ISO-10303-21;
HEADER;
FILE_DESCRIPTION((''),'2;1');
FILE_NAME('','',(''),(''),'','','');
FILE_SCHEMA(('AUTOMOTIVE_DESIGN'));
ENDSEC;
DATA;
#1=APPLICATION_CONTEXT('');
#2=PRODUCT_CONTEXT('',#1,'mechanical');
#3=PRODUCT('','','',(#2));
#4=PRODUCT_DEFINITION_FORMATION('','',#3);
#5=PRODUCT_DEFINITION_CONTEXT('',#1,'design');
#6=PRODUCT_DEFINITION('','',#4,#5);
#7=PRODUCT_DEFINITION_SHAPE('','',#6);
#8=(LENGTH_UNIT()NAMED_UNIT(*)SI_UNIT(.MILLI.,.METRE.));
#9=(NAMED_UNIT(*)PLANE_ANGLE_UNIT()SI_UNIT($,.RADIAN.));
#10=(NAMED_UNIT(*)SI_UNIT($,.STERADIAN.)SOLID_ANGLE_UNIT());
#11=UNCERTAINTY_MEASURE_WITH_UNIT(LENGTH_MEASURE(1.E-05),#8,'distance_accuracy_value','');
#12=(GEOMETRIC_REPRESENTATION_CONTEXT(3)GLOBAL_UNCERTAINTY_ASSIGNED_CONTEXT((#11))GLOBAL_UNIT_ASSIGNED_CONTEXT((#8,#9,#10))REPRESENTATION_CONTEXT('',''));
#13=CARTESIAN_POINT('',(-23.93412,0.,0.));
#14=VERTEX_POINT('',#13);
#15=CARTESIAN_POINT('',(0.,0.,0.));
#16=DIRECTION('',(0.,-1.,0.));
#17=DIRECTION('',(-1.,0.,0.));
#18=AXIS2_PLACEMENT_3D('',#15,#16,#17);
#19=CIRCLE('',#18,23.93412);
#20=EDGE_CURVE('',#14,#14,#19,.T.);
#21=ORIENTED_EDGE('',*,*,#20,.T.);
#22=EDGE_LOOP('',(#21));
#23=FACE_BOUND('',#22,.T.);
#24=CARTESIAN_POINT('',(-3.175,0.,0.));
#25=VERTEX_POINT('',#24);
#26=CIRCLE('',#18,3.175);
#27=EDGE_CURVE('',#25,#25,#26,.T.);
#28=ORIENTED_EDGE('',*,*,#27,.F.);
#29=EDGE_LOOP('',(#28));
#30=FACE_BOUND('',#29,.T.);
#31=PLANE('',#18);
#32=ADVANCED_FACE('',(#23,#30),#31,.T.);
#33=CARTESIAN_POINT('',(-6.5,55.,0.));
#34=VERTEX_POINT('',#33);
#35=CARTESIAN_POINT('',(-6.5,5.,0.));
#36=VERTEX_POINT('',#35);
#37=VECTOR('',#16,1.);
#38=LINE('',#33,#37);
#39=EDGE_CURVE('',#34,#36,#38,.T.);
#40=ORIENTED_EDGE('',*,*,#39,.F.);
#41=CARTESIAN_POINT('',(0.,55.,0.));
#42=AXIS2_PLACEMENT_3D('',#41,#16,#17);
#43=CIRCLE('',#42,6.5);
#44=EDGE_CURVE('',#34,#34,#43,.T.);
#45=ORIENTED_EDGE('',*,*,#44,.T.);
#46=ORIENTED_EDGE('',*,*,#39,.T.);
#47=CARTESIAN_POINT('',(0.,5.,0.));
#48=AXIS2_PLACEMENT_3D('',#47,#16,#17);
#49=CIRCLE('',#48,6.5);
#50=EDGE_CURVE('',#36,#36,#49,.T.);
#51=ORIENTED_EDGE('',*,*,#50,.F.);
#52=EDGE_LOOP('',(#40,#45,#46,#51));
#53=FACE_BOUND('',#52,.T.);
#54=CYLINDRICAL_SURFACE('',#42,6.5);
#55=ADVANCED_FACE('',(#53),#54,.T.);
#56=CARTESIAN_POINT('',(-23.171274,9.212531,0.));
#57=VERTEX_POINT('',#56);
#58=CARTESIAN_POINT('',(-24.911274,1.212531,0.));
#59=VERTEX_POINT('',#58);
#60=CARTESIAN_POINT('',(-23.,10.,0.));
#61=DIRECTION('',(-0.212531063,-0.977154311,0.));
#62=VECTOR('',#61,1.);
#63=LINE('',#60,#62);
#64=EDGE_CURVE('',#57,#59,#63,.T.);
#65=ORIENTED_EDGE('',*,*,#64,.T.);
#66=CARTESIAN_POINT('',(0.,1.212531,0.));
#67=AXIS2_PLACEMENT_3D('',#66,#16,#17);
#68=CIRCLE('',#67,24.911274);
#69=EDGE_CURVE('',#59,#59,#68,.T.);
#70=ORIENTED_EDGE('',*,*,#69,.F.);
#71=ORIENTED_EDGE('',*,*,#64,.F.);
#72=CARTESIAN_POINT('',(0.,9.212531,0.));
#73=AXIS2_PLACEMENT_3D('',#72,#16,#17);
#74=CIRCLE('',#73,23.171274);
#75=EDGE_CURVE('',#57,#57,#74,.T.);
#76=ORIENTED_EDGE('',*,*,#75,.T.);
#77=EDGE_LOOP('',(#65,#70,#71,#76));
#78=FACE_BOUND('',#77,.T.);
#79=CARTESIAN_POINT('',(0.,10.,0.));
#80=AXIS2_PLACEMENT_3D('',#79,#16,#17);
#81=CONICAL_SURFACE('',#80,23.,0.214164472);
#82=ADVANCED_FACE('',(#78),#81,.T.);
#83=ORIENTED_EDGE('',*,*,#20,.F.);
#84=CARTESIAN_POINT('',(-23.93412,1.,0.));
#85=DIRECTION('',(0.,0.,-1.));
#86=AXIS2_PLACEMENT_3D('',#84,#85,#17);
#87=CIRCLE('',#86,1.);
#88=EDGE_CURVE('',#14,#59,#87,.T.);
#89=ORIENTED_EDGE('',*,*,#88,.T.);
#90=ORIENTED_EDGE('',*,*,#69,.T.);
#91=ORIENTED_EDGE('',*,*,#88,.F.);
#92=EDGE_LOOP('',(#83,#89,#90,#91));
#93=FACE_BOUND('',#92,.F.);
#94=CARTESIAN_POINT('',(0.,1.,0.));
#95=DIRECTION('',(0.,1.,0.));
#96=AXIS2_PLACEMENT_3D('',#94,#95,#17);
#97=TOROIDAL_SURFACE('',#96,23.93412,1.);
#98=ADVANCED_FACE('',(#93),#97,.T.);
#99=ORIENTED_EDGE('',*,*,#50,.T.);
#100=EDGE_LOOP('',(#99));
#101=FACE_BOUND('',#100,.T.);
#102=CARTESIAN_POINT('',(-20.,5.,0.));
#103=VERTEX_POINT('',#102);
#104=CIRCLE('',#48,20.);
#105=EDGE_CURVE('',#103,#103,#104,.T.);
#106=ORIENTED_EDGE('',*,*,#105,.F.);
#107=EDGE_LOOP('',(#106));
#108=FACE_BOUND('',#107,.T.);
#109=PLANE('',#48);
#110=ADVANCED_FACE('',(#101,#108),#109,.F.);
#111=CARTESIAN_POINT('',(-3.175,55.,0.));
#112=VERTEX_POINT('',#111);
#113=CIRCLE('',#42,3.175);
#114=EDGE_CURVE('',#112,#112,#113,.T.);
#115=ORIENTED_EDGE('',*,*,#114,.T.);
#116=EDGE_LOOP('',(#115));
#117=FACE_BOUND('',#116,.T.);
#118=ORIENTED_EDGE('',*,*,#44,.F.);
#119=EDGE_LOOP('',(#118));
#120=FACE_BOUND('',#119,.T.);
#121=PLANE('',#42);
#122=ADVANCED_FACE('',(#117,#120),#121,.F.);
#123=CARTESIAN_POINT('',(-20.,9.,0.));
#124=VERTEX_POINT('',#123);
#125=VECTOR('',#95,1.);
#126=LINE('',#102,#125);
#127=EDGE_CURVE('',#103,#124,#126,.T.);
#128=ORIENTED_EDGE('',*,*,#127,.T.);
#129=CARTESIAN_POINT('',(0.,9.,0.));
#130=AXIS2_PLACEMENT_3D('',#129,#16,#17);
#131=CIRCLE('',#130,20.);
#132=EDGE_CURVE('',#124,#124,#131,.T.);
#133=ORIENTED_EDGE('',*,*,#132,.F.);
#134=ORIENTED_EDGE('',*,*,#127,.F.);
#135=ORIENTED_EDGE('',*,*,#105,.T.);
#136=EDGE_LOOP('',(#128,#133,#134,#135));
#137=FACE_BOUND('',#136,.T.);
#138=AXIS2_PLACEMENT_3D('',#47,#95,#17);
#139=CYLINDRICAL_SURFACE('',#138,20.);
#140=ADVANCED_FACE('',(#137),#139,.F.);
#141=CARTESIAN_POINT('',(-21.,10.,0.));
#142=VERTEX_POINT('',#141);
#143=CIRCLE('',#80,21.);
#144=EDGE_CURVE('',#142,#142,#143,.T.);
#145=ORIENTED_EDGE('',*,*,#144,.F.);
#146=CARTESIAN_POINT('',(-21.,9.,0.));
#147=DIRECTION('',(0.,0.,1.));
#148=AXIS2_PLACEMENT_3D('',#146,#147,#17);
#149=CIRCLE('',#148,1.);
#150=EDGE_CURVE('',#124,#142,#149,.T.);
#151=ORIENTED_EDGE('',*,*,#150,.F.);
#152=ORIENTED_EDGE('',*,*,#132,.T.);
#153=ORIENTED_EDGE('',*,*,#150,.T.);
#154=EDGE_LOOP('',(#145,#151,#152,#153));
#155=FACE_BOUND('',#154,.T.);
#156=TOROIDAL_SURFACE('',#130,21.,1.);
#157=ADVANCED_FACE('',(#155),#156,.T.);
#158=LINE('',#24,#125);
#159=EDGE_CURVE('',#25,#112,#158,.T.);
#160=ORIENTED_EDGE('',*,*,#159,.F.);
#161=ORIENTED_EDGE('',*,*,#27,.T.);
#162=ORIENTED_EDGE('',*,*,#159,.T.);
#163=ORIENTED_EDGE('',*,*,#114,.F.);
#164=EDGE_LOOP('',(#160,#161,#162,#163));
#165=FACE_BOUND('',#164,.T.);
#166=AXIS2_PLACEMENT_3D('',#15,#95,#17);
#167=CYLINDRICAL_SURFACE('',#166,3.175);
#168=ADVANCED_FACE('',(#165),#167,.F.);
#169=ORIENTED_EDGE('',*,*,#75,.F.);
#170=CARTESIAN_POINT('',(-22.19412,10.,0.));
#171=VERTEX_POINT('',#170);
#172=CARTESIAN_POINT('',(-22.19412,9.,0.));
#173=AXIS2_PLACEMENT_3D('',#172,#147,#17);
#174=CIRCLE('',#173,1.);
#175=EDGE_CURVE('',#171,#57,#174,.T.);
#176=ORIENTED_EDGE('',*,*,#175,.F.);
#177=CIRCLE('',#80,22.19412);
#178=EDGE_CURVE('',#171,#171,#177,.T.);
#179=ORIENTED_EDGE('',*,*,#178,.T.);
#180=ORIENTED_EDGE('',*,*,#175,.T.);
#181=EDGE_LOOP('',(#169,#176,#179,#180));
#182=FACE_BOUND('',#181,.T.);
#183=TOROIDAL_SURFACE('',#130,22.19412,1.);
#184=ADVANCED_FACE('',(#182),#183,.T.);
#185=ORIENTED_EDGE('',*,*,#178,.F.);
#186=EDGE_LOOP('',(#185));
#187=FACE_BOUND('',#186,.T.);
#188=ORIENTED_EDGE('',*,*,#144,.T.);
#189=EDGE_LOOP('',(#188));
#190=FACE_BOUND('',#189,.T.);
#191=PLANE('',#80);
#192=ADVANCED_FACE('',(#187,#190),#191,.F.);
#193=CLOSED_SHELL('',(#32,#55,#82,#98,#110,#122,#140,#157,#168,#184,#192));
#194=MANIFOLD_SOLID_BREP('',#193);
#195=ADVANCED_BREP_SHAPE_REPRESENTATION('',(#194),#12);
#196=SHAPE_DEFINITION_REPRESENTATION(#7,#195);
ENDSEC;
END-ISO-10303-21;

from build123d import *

# Parameters (mm, degrees)
F2_R = 1


with BuildPart() as f1:
    # F0 (on Top) → F1 (revolve)
    with BuildSketch(Plane.XY):
        Polygon((-25.175, 0), (-3.175, 0), (-3.175, 55), (-6.5, 55), (-6.5, 5), (-20, 5), (-20, 10), (-23, 10), align=None)
    revolve(axis=Axis((0, 30.933686, 0), (0, -1, 0)))

    # F2
    f2_edges = [f1.edges().sort_by_distance(p)[0] for p in [
        (25.175, 0, 0),
        (23, 10, 0),
        (20, 10, 0),
    ]]
    fillet(f2_edges, radius=F2_R)


solid = f1.part
